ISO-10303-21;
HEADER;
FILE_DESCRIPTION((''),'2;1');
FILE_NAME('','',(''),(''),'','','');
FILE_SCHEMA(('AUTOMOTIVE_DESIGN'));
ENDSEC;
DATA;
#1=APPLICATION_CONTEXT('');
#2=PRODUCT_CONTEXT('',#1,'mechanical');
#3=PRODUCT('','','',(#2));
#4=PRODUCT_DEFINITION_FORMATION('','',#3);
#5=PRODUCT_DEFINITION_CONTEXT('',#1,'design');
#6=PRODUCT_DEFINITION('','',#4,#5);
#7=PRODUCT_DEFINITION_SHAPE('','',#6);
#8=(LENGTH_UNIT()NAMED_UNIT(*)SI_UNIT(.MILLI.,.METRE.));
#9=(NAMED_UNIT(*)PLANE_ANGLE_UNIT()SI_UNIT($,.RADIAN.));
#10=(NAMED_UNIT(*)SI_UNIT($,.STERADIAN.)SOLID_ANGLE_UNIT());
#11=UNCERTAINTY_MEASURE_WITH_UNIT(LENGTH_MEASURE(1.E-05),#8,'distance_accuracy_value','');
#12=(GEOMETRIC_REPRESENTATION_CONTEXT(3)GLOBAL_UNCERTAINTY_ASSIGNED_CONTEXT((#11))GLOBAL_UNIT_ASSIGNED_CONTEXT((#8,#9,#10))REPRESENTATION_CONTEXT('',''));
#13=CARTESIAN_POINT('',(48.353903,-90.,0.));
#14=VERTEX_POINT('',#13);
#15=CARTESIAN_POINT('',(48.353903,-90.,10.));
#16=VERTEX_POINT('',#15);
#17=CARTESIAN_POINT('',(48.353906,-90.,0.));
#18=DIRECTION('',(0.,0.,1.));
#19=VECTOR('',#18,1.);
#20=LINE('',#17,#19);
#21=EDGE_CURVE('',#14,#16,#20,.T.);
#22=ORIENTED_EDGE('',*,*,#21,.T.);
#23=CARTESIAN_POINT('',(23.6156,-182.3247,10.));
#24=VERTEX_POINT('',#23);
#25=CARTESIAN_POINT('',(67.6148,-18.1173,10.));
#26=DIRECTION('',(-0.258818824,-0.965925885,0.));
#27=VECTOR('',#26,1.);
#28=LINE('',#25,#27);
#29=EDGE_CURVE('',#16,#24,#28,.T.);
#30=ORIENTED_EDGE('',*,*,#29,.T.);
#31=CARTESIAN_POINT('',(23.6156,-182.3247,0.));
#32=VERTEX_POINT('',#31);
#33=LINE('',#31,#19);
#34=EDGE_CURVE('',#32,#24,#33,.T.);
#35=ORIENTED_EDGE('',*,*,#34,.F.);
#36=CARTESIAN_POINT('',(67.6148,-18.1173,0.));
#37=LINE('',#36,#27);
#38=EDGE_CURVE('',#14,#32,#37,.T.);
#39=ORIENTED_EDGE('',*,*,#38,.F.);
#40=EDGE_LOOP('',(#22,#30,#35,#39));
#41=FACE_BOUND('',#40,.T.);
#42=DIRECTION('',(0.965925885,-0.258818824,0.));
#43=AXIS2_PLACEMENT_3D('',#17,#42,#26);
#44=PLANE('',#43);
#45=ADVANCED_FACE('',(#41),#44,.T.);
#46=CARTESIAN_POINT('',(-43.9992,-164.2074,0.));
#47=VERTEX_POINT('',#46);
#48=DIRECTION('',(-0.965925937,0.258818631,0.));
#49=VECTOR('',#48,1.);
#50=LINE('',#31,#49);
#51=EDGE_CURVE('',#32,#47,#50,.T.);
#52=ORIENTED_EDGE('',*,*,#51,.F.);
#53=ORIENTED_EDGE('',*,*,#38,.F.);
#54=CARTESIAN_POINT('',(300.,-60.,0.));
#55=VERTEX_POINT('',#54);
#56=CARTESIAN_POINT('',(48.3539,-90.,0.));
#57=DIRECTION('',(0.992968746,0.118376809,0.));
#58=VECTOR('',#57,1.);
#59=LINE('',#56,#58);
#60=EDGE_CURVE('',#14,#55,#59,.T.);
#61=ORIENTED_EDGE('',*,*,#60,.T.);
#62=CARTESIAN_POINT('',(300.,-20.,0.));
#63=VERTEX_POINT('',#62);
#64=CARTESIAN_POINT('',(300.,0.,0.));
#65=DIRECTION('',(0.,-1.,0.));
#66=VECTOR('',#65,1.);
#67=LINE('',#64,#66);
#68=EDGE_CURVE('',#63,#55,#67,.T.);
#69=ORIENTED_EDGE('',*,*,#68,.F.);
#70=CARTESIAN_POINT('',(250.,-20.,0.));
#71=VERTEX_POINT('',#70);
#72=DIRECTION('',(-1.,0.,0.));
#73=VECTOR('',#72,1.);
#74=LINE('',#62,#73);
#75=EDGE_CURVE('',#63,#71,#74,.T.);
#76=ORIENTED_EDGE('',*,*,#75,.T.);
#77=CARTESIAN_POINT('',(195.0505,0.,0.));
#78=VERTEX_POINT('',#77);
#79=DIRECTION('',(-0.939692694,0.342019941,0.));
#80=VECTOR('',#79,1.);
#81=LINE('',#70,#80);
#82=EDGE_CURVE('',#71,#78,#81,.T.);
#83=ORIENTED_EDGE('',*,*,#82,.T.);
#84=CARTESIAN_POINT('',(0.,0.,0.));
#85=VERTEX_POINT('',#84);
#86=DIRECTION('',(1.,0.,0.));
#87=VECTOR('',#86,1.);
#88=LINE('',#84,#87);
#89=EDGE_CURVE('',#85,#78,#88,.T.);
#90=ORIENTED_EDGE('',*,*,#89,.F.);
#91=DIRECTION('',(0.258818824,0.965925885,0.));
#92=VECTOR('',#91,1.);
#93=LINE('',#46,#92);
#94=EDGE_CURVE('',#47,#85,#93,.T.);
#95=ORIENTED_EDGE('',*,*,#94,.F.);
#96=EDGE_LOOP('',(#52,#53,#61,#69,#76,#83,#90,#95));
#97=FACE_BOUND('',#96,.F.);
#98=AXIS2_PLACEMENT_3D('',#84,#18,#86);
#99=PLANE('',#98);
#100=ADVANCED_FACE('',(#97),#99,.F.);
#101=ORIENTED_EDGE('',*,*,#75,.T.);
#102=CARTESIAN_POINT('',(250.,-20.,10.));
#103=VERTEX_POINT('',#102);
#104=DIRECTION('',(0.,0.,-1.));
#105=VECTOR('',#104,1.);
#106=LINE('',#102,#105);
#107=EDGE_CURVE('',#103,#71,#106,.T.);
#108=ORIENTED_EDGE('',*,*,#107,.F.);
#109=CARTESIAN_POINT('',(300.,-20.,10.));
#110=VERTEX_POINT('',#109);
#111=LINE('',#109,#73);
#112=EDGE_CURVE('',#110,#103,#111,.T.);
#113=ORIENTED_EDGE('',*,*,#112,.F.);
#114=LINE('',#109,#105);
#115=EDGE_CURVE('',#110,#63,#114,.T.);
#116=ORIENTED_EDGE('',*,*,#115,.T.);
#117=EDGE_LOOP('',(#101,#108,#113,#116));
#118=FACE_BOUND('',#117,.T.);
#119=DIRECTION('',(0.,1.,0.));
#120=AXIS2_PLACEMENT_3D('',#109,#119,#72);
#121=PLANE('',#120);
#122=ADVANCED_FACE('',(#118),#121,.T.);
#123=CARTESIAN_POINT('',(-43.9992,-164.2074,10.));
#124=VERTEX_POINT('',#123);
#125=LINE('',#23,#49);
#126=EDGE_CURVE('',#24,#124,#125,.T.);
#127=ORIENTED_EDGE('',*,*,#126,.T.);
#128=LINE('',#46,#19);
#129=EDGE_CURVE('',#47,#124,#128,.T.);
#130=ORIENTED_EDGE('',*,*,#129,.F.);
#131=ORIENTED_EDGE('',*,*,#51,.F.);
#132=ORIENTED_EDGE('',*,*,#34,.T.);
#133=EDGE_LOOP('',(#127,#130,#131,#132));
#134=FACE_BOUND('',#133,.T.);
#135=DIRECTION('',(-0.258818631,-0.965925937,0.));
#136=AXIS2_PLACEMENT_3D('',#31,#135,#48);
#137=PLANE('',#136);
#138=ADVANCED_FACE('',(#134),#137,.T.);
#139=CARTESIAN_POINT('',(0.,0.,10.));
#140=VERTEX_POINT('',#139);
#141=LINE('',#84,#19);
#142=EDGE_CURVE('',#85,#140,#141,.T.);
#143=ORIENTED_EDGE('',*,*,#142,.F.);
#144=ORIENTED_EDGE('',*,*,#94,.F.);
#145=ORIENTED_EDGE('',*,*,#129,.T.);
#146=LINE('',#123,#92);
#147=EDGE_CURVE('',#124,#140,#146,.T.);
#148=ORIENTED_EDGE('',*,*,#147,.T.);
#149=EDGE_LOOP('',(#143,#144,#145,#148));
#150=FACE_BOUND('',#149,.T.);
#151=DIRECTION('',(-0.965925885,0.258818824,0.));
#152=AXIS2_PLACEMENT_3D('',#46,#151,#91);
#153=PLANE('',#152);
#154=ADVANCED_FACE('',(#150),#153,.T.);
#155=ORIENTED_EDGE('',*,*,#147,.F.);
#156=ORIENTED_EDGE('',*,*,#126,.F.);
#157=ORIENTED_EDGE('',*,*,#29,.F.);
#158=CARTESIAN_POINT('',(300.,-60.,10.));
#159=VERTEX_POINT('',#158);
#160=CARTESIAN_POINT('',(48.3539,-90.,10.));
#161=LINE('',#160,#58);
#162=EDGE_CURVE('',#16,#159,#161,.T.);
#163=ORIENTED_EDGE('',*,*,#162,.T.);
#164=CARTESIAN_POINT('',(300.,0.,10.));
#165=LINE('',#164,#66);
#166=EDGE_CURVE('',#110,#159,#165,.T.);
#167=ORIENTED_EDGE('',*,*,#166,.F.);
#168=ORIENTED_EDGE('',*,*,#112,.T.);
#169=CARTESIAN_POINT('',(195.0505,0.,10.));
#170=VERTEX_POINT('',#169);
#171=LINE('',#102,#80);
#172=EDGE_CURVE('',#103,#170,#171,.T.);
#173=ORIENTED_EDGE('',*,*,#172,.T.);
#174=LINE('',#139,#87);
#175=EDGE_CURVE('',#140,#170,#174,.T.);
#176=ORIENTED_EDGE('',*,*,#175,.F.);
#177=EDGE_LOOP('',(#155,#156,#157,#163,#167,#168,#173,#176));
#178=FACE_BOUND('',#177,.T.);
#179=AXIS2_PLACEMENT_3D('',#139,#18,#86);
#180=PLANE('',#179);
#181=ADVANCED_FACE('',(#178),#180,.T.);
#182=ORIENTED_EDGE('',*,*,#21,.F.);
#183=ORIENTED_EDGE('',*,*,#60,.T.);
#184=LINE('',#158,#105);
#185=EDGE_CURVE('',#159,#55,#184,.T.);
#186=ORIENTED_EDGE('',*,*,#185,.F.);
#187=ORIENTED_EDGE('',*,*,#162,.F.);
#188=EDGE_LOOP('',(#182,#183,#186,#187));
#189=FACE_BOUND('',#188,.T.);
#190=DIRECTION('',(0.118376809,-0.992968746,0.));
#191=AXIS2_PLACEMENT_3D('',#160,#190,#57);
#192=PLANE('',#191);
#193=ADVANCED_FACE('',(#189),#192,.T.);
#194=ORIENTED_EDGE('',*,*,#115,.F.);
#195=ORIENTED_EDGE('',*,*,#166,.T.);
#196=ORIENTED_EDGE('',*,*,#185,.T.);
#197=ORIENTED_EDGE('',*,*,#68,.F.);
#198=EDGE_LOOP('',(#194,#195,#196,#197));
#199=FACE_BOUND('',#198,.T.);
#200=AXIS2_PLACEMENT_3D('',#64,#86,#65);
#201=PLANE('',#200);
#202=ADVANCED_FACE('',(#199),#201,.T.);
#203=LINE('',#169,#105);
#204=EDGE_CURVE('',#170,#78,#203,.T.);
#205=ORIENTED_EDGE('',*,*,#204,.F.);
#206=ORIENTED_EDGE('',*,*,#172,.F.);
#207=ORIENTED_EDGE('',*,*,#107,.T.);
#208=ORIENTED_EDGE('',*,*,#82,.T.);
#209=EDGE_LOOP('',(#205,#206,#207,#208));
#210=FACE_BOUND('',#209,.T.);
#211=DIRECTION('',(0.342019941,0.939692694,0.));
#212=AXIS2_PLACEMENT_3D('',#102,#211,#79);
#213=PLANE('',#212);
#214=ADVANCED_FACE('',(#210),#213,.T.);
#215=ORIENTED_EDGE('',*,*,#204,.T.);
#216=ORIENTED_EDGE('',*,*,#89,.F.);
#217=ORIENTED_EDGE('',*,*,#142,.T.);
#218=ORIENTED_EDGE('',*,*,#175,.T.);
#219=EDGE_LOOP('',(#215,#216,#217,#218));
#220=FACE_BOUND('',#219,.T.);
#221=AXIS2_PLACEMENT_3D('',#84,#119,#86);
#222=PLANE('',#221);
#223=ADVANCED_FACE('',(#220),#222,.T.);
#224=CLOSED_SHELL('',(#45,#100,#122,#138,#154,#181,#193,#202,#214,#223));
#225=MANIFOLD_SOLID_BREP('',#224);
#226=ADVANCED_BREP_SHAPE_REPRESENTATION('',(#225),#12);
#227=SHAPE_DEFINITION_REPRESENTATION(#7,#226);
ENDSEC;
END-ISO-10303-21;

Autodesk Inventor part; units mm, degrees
ref_plane "YZ Plane" through (0, 0, 0) normal (1, 0, 0) x (0, 1, 0)
ref_plane "XZ Plane" through (0, 0, 0) normal (0, 1, 0) x (-1, 0, 0)
ref_plane "XY Plane" through (0, 0, 0) normal (0, 0, 1) x (1, 0, 0)
sketch "Sketch1" plane through (0, 0, 0) normal (0, 0, 1) x (1, 0, 0)
  line L0 (300, 0) -> (300, -90)
  line L1 (300, -90) -> (0, -90)
  line L2 (67.6148, -18.1173) -> (23.6156, -182.3247)
  line L3 (23.6156, -182.3247) -> (-43.9992, -164.2074)
  line L4 (-43.9992, -164.2074) -> (0, 0)
  line L5 (0, 0) -> (67.6148, -18.1173)
  line L6 (0, 0) -> (300, 0)
  line L7 (0, -90) -> (0, 0)
  dimension "d0" = 300
  dimension "d1" = 90
  dimension "d2" = 70
  dimension "d3" = 170
  dimension "d5" = 105
  dimension "d6" = 0
  dimension "d7" = 0
  dimension "d8" = 0
  dimension "d9" = 300
extrude "Extrusion1" add sketch "Sketch1" along normal blind 10
sketch "Sketch2" plane through (0, 0, 10) normal (0, 0, 1) x (1, 0, 0)
  line L0 (300, -90) -> (300, 0) projected
  line L1 (300, -20) -> (300, -60)
  line L2 (23.6156, -182.3247) -> (48.3539, -90) projected
  line L3 (48.3539, -90) -> (300, -60)
  line L4 (300, -20) -> (250, -20)
  line L5 (250, -20) -> (118.443, 27.8828)
  line L6 (48.3539, -90) -> (300, -90) projected
  line L7 (48.3539, -90) -> (300, -90)
  line L8 (300, -90) -> (300, -60)
  line L9 (300, 0) -> (0, 0) projected
  line L10 (195.0505, 0) -> (300, 0)
  line L11 (300, 0) -> (300, -20)
  dimension "d12" = 40
  dimension "d13" = 20
  dimension "d14" = 50
  dimension "d15" = 140
  dimension "d16" = 160
extrude "Extrusion2" cut sketch "Sketch2" against normal blind 10
properties part number "Pivot Link"
